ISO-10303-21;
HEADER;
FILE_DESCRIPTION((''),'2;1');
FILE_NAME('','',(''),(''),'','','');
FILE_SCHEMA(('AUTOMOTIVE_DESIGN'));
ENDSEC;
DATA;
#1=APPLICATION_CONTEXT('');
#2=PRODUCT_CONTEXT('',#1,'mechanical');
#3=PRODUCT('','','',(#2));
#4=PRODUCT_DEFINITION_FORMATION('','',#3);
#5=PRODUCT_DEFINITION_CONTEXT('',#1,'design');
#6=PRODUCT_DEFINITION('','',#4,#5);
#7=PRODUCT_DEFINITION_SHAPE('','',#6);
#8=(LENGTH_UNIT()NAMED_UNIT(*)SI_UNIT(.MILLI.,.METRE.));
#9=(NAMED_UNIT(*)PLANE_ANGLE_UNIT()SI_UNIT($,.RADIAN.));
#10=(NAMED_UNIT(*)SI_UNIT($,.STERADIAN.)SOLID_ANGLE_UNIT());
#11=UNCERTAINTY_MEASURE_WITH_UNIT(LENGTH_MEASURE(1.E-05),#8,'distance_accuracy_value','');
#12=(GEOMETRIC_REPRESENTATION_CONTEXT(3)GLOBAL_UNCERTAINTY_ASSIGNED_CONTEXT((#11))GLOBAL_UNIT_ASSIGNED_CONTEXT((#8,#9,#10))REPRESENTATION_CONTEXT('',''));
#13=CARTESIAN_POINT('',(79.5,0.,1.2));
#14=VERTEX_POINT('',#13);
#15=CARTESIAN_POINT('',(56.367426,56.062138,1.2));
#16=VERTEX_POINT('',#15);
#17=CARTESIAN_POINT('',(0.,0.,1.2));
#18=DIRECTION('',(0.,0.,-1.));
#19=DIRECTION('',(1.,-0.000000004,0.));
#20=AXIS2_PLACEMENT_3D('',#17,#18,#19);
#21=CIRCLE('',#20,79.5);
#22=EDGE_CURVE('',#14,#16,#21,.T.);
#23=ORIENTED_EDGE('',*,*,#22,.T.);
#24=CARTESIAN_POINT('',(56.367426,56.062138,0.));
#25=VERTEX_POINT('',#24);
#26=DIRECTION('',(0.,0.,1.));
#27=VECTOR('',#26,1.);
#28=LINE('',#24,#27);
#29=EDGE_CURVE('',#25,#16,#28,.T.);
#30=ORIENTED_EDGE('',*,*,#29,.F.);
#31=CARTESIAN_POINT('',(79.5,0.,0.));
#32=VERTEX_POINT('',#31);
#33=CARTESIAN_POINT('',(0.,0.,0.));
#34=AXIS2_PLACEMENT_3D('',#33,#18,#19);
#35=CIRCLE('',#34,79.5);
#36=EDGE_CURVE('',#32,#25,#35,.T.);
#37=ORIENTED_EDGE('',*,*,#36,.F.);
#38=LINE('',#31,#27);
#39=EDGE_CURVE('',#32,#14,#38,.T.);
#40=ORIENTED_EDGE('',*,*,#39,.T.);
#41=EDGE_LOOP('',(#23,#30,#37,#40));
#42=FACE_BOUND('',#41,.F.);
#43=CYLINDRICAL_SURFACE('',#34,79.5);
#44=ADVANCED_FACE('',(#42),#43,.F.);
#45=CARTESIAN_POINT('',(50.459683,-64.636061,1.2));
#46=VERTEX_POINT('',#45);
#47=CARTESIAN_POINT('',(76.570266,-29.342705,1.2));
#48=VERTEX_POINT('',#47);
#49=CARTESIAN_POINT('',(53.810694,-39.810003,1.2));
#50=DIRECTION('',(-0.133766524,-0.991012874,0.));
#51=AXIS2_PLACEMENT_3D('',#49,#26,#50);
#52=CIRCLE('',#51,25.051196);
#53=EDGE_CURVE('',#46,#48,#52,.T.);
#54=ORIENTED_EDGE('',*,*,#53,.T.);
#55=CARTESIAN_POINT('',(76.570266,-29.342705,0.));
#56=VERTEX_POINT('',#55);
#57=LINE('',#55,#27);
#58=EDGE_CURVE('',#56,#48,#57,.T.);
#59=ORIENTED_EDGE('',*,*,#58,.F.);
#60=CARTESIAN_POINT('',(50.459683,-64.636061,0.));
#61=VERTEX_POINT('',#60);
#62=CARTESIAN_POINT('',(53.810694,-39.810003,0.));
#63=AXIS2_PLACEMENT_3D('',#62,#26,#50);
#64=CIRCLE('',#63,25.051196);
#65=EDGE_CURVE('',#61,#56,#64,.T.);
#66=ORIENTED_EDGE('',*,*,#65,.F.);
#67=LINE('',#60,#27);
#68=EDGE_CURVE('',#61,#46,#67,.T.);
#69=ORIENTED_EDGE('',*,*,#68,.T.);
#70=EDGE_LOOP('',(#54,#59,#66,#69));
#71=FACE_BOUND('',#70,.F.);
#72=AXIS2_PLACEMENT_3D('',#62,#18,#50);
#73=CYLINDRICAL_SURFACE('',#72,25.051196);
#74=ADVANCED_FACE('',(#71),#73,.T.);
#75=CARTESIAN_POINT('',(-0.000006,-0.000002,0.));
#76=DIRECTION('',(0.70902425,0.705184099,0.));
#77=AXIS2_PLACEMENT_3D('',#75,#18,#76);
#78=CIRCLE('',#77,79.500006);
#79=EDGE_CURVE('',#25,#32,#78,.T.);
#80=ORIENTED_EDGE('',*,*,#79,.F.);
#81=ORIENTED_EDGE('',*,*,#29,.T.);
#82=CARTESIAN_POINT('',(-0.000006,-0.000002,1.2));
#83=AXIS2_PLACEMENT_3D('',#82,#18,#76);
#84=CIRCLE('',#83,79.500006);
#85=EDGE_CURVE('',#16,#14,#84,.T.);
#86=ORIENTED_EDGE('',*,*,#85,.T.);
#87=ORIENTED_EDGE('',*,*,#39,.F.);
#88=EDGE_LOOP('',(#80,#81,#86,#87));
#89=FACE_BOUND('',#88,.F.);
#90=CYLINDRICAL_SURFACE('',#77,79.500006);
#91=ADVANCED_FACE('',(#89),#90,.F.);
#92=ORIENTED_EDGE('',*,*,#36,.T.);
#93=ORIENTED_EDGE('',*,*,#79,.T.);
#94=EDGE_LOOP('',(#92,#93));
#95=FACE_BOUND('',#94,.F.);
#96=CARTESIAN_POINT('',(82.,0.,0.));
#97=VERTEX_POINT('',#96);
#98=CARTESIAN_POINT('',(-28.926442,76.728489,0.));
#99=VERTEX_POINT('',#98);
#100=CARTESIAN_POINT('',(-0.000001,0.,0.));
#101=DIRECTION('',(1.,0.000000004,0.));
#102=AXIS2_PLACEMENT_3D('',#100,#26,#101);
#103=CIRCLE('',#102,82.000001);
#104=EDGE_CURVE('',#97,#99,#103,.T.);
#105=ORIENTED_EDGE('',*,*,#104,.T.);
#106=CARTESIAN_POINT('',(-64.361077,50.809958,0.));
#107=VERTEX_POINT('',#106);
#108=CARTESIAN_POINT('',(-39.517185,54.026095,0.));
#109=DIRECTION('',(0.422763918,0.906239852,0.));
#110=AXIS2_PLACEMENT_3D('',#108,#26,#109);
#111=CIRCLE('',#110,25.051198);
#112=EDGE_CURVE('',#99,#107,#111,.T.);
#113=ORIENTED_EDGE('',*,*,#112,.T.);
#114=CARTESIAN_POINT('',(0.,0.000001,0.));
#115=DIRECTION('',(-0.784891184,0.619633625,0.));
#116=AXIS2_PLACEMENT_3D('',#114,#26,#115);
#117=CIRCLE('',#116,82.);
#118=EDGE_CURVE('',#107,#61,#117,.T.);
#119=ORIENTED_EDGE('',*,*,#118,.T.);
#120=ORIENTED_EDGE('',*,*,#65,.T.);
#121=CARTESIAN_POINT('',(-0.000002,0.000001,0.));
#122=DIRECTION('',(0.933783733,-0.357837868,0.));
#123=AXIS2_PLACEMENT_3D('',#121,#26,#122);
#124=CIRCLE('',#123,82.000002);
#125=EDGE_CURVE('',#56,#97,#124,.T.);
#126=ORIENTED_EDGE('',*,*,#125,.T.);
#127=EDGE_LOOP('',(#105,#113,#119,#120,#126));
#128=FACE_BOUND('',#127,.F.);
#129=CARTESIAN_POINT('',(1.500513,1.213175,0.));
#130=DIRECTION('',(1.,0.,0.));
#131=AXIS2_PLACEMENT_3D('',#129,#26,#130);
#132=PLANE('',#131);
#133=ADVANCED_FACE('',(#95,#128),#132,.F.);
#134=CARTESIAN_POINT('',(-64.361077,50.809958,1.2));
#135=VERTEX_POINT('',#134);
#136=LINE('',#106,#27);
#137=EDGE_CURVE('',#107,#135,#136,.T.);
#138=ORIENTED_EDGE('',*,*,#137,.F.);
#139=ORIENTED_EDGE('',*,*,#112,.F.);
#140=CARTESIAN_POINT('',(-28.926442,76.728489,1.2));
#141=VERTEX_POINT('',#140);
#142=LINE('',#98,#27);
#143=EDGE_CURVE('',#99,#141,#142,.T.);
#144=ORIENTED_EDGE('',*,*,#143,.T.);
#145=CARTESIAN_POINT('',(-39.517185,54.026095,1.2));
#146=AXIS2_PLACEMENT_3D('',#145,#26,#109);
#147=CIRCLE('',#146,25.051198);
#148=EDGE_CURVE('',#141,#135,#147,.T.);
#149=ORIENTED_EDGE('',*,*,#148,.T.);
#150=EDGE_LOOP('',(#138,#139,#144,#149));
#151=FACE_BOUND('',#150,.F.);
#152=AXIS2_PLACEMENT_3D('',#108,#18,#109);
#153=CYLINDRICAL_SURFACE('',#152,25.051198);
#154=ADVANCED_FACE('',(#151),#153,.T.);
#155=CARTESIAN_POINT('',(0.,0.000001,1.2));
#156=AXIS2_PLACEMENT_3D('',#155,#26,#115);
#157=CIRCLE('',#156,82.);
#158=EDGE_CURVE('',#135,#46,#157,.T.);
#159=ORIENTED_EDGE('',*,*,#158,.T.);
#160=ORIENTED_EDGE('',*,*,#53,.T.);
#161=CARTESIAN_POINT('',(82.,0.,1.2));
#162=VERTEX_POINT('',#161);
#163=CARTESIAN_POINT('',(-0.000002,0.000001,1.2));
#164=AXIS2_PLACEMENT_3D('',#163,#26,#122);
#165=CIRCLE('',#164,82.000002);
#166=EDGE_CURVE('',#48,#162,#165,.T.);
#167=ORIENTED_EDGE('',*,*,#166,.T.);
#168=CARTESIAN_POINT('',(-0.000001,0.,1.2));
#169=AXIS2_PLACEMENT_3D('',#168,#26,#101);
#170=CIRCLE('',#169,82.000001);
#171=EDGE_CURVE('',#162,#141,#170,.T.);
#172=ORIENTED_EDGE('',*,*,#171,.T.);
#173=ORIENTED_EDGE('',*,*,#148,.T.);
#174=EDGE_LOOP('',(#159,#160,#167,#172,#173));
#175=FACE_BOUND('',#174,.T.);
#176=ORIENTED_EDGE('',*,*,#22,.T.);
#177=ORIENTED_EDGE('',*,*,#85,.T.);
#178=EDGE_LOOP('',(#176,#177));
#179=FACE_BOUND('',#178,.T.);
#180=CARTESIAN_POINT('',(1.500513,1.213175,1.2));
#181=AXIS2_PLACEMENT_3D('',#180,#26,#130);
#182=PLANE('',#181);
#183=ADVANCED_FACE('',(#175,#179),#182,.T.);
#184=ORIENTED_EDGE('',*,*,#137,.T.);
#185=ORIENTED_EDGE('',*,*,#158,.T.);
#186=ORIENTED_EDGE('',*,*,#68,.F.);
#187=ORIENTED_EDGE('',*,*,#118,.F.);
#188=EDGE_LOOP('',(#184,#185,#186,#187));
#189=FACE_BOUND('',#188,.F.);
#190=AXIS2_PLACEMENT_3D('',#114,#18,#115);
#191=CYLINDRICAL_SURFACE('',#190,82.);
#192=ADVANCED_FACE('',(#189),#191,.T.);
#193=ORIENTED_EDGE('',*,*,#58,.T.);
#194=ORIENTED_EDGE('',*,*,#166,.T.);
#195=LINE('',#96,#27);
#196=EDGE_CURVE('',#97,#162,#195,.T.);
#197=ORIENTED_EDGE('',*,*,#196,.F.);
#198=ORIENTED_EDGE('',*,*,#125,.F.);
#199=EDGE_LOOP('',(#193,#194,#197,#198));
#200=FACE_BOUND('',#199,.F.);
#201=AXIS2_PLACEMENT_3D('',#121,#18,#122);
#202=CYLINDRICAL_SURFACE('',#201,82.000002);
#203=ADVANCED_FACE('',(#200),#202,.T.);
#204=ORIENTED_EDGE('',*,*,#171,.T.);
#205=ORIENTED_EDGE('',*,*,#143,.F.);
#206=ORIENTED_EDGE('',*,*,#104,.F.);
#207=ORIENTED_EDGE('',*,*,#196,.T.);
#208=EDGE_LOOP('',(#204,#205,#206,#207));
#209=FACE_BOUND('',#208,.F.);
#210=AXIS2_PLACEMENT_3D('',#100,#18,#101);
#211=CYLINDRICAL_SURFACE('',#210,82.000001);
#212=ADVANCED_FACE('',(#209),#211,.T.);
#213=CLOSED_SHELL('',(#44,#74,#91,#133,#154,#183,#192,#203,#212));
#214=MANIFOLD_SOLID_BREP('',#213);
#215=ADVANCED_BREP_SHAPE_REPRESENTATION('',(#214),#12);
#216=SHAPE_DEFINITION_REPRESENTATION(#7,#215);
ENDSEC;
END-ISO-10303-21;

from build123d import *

# Parameters (mm, degrees)
F1_DEPTH = 1.2


with BuildPart() as f1:
    # F0 (on Top) → F1 (new body)
    with BuildSketch(Plane.XY):
        with BuildLine():
            ThreePointArc((76.570266, -29.342705), (80.631141, -14.920425), (82, 0))
            ThreePointArc((82, 0), (46.647786, 67.438743), (-28.926442, 76.728489))
            ThreePointArc((-28.926442, 76.728489), (-48.410565, 66.18472), (-64.361077, 50.809958))
            ThreePointArc((-64.361077, 50.809958), (-58.139986, -57.825098), (50.459683, -64.636061))
            ThreePointArc((50.459683, -64.636061), (65.920841, -48.769281), (76.570266, -29.342705))
        make_face()
        with BuildLine():
            ThreePointArc((56.367426, 56.062138), (73.48966, 30.323585), (79.5, 0))
            ThreePointArc((79.5, 0), (-73.48966, -30.323585), (56.367426, 56.062138))
        make_face(mode=Mode.SUBTRACT)
        with BuildLine():
            ThreePointArc((-64.361077, 50.809958), (-48.410565, 66.18472), (-28.926442, 76.728489))
            ThreePointArc((-28.926442, 76.728489), (-54.306729, 74.245687), (-64.361077, 50.809958))
        make_face()
        with BuildLine():
            ThreePointArc((50.459683, -64.636061), (73.949669, -54.709135), (76.570266, -29.342705))
            ThreePointArc((76.570266, -29.342705), (65.920841, -48.769281), (50.459683, -64.636061))
        make_face()
    extrude(amount=F1_DEPTH)


solid = f1.part
